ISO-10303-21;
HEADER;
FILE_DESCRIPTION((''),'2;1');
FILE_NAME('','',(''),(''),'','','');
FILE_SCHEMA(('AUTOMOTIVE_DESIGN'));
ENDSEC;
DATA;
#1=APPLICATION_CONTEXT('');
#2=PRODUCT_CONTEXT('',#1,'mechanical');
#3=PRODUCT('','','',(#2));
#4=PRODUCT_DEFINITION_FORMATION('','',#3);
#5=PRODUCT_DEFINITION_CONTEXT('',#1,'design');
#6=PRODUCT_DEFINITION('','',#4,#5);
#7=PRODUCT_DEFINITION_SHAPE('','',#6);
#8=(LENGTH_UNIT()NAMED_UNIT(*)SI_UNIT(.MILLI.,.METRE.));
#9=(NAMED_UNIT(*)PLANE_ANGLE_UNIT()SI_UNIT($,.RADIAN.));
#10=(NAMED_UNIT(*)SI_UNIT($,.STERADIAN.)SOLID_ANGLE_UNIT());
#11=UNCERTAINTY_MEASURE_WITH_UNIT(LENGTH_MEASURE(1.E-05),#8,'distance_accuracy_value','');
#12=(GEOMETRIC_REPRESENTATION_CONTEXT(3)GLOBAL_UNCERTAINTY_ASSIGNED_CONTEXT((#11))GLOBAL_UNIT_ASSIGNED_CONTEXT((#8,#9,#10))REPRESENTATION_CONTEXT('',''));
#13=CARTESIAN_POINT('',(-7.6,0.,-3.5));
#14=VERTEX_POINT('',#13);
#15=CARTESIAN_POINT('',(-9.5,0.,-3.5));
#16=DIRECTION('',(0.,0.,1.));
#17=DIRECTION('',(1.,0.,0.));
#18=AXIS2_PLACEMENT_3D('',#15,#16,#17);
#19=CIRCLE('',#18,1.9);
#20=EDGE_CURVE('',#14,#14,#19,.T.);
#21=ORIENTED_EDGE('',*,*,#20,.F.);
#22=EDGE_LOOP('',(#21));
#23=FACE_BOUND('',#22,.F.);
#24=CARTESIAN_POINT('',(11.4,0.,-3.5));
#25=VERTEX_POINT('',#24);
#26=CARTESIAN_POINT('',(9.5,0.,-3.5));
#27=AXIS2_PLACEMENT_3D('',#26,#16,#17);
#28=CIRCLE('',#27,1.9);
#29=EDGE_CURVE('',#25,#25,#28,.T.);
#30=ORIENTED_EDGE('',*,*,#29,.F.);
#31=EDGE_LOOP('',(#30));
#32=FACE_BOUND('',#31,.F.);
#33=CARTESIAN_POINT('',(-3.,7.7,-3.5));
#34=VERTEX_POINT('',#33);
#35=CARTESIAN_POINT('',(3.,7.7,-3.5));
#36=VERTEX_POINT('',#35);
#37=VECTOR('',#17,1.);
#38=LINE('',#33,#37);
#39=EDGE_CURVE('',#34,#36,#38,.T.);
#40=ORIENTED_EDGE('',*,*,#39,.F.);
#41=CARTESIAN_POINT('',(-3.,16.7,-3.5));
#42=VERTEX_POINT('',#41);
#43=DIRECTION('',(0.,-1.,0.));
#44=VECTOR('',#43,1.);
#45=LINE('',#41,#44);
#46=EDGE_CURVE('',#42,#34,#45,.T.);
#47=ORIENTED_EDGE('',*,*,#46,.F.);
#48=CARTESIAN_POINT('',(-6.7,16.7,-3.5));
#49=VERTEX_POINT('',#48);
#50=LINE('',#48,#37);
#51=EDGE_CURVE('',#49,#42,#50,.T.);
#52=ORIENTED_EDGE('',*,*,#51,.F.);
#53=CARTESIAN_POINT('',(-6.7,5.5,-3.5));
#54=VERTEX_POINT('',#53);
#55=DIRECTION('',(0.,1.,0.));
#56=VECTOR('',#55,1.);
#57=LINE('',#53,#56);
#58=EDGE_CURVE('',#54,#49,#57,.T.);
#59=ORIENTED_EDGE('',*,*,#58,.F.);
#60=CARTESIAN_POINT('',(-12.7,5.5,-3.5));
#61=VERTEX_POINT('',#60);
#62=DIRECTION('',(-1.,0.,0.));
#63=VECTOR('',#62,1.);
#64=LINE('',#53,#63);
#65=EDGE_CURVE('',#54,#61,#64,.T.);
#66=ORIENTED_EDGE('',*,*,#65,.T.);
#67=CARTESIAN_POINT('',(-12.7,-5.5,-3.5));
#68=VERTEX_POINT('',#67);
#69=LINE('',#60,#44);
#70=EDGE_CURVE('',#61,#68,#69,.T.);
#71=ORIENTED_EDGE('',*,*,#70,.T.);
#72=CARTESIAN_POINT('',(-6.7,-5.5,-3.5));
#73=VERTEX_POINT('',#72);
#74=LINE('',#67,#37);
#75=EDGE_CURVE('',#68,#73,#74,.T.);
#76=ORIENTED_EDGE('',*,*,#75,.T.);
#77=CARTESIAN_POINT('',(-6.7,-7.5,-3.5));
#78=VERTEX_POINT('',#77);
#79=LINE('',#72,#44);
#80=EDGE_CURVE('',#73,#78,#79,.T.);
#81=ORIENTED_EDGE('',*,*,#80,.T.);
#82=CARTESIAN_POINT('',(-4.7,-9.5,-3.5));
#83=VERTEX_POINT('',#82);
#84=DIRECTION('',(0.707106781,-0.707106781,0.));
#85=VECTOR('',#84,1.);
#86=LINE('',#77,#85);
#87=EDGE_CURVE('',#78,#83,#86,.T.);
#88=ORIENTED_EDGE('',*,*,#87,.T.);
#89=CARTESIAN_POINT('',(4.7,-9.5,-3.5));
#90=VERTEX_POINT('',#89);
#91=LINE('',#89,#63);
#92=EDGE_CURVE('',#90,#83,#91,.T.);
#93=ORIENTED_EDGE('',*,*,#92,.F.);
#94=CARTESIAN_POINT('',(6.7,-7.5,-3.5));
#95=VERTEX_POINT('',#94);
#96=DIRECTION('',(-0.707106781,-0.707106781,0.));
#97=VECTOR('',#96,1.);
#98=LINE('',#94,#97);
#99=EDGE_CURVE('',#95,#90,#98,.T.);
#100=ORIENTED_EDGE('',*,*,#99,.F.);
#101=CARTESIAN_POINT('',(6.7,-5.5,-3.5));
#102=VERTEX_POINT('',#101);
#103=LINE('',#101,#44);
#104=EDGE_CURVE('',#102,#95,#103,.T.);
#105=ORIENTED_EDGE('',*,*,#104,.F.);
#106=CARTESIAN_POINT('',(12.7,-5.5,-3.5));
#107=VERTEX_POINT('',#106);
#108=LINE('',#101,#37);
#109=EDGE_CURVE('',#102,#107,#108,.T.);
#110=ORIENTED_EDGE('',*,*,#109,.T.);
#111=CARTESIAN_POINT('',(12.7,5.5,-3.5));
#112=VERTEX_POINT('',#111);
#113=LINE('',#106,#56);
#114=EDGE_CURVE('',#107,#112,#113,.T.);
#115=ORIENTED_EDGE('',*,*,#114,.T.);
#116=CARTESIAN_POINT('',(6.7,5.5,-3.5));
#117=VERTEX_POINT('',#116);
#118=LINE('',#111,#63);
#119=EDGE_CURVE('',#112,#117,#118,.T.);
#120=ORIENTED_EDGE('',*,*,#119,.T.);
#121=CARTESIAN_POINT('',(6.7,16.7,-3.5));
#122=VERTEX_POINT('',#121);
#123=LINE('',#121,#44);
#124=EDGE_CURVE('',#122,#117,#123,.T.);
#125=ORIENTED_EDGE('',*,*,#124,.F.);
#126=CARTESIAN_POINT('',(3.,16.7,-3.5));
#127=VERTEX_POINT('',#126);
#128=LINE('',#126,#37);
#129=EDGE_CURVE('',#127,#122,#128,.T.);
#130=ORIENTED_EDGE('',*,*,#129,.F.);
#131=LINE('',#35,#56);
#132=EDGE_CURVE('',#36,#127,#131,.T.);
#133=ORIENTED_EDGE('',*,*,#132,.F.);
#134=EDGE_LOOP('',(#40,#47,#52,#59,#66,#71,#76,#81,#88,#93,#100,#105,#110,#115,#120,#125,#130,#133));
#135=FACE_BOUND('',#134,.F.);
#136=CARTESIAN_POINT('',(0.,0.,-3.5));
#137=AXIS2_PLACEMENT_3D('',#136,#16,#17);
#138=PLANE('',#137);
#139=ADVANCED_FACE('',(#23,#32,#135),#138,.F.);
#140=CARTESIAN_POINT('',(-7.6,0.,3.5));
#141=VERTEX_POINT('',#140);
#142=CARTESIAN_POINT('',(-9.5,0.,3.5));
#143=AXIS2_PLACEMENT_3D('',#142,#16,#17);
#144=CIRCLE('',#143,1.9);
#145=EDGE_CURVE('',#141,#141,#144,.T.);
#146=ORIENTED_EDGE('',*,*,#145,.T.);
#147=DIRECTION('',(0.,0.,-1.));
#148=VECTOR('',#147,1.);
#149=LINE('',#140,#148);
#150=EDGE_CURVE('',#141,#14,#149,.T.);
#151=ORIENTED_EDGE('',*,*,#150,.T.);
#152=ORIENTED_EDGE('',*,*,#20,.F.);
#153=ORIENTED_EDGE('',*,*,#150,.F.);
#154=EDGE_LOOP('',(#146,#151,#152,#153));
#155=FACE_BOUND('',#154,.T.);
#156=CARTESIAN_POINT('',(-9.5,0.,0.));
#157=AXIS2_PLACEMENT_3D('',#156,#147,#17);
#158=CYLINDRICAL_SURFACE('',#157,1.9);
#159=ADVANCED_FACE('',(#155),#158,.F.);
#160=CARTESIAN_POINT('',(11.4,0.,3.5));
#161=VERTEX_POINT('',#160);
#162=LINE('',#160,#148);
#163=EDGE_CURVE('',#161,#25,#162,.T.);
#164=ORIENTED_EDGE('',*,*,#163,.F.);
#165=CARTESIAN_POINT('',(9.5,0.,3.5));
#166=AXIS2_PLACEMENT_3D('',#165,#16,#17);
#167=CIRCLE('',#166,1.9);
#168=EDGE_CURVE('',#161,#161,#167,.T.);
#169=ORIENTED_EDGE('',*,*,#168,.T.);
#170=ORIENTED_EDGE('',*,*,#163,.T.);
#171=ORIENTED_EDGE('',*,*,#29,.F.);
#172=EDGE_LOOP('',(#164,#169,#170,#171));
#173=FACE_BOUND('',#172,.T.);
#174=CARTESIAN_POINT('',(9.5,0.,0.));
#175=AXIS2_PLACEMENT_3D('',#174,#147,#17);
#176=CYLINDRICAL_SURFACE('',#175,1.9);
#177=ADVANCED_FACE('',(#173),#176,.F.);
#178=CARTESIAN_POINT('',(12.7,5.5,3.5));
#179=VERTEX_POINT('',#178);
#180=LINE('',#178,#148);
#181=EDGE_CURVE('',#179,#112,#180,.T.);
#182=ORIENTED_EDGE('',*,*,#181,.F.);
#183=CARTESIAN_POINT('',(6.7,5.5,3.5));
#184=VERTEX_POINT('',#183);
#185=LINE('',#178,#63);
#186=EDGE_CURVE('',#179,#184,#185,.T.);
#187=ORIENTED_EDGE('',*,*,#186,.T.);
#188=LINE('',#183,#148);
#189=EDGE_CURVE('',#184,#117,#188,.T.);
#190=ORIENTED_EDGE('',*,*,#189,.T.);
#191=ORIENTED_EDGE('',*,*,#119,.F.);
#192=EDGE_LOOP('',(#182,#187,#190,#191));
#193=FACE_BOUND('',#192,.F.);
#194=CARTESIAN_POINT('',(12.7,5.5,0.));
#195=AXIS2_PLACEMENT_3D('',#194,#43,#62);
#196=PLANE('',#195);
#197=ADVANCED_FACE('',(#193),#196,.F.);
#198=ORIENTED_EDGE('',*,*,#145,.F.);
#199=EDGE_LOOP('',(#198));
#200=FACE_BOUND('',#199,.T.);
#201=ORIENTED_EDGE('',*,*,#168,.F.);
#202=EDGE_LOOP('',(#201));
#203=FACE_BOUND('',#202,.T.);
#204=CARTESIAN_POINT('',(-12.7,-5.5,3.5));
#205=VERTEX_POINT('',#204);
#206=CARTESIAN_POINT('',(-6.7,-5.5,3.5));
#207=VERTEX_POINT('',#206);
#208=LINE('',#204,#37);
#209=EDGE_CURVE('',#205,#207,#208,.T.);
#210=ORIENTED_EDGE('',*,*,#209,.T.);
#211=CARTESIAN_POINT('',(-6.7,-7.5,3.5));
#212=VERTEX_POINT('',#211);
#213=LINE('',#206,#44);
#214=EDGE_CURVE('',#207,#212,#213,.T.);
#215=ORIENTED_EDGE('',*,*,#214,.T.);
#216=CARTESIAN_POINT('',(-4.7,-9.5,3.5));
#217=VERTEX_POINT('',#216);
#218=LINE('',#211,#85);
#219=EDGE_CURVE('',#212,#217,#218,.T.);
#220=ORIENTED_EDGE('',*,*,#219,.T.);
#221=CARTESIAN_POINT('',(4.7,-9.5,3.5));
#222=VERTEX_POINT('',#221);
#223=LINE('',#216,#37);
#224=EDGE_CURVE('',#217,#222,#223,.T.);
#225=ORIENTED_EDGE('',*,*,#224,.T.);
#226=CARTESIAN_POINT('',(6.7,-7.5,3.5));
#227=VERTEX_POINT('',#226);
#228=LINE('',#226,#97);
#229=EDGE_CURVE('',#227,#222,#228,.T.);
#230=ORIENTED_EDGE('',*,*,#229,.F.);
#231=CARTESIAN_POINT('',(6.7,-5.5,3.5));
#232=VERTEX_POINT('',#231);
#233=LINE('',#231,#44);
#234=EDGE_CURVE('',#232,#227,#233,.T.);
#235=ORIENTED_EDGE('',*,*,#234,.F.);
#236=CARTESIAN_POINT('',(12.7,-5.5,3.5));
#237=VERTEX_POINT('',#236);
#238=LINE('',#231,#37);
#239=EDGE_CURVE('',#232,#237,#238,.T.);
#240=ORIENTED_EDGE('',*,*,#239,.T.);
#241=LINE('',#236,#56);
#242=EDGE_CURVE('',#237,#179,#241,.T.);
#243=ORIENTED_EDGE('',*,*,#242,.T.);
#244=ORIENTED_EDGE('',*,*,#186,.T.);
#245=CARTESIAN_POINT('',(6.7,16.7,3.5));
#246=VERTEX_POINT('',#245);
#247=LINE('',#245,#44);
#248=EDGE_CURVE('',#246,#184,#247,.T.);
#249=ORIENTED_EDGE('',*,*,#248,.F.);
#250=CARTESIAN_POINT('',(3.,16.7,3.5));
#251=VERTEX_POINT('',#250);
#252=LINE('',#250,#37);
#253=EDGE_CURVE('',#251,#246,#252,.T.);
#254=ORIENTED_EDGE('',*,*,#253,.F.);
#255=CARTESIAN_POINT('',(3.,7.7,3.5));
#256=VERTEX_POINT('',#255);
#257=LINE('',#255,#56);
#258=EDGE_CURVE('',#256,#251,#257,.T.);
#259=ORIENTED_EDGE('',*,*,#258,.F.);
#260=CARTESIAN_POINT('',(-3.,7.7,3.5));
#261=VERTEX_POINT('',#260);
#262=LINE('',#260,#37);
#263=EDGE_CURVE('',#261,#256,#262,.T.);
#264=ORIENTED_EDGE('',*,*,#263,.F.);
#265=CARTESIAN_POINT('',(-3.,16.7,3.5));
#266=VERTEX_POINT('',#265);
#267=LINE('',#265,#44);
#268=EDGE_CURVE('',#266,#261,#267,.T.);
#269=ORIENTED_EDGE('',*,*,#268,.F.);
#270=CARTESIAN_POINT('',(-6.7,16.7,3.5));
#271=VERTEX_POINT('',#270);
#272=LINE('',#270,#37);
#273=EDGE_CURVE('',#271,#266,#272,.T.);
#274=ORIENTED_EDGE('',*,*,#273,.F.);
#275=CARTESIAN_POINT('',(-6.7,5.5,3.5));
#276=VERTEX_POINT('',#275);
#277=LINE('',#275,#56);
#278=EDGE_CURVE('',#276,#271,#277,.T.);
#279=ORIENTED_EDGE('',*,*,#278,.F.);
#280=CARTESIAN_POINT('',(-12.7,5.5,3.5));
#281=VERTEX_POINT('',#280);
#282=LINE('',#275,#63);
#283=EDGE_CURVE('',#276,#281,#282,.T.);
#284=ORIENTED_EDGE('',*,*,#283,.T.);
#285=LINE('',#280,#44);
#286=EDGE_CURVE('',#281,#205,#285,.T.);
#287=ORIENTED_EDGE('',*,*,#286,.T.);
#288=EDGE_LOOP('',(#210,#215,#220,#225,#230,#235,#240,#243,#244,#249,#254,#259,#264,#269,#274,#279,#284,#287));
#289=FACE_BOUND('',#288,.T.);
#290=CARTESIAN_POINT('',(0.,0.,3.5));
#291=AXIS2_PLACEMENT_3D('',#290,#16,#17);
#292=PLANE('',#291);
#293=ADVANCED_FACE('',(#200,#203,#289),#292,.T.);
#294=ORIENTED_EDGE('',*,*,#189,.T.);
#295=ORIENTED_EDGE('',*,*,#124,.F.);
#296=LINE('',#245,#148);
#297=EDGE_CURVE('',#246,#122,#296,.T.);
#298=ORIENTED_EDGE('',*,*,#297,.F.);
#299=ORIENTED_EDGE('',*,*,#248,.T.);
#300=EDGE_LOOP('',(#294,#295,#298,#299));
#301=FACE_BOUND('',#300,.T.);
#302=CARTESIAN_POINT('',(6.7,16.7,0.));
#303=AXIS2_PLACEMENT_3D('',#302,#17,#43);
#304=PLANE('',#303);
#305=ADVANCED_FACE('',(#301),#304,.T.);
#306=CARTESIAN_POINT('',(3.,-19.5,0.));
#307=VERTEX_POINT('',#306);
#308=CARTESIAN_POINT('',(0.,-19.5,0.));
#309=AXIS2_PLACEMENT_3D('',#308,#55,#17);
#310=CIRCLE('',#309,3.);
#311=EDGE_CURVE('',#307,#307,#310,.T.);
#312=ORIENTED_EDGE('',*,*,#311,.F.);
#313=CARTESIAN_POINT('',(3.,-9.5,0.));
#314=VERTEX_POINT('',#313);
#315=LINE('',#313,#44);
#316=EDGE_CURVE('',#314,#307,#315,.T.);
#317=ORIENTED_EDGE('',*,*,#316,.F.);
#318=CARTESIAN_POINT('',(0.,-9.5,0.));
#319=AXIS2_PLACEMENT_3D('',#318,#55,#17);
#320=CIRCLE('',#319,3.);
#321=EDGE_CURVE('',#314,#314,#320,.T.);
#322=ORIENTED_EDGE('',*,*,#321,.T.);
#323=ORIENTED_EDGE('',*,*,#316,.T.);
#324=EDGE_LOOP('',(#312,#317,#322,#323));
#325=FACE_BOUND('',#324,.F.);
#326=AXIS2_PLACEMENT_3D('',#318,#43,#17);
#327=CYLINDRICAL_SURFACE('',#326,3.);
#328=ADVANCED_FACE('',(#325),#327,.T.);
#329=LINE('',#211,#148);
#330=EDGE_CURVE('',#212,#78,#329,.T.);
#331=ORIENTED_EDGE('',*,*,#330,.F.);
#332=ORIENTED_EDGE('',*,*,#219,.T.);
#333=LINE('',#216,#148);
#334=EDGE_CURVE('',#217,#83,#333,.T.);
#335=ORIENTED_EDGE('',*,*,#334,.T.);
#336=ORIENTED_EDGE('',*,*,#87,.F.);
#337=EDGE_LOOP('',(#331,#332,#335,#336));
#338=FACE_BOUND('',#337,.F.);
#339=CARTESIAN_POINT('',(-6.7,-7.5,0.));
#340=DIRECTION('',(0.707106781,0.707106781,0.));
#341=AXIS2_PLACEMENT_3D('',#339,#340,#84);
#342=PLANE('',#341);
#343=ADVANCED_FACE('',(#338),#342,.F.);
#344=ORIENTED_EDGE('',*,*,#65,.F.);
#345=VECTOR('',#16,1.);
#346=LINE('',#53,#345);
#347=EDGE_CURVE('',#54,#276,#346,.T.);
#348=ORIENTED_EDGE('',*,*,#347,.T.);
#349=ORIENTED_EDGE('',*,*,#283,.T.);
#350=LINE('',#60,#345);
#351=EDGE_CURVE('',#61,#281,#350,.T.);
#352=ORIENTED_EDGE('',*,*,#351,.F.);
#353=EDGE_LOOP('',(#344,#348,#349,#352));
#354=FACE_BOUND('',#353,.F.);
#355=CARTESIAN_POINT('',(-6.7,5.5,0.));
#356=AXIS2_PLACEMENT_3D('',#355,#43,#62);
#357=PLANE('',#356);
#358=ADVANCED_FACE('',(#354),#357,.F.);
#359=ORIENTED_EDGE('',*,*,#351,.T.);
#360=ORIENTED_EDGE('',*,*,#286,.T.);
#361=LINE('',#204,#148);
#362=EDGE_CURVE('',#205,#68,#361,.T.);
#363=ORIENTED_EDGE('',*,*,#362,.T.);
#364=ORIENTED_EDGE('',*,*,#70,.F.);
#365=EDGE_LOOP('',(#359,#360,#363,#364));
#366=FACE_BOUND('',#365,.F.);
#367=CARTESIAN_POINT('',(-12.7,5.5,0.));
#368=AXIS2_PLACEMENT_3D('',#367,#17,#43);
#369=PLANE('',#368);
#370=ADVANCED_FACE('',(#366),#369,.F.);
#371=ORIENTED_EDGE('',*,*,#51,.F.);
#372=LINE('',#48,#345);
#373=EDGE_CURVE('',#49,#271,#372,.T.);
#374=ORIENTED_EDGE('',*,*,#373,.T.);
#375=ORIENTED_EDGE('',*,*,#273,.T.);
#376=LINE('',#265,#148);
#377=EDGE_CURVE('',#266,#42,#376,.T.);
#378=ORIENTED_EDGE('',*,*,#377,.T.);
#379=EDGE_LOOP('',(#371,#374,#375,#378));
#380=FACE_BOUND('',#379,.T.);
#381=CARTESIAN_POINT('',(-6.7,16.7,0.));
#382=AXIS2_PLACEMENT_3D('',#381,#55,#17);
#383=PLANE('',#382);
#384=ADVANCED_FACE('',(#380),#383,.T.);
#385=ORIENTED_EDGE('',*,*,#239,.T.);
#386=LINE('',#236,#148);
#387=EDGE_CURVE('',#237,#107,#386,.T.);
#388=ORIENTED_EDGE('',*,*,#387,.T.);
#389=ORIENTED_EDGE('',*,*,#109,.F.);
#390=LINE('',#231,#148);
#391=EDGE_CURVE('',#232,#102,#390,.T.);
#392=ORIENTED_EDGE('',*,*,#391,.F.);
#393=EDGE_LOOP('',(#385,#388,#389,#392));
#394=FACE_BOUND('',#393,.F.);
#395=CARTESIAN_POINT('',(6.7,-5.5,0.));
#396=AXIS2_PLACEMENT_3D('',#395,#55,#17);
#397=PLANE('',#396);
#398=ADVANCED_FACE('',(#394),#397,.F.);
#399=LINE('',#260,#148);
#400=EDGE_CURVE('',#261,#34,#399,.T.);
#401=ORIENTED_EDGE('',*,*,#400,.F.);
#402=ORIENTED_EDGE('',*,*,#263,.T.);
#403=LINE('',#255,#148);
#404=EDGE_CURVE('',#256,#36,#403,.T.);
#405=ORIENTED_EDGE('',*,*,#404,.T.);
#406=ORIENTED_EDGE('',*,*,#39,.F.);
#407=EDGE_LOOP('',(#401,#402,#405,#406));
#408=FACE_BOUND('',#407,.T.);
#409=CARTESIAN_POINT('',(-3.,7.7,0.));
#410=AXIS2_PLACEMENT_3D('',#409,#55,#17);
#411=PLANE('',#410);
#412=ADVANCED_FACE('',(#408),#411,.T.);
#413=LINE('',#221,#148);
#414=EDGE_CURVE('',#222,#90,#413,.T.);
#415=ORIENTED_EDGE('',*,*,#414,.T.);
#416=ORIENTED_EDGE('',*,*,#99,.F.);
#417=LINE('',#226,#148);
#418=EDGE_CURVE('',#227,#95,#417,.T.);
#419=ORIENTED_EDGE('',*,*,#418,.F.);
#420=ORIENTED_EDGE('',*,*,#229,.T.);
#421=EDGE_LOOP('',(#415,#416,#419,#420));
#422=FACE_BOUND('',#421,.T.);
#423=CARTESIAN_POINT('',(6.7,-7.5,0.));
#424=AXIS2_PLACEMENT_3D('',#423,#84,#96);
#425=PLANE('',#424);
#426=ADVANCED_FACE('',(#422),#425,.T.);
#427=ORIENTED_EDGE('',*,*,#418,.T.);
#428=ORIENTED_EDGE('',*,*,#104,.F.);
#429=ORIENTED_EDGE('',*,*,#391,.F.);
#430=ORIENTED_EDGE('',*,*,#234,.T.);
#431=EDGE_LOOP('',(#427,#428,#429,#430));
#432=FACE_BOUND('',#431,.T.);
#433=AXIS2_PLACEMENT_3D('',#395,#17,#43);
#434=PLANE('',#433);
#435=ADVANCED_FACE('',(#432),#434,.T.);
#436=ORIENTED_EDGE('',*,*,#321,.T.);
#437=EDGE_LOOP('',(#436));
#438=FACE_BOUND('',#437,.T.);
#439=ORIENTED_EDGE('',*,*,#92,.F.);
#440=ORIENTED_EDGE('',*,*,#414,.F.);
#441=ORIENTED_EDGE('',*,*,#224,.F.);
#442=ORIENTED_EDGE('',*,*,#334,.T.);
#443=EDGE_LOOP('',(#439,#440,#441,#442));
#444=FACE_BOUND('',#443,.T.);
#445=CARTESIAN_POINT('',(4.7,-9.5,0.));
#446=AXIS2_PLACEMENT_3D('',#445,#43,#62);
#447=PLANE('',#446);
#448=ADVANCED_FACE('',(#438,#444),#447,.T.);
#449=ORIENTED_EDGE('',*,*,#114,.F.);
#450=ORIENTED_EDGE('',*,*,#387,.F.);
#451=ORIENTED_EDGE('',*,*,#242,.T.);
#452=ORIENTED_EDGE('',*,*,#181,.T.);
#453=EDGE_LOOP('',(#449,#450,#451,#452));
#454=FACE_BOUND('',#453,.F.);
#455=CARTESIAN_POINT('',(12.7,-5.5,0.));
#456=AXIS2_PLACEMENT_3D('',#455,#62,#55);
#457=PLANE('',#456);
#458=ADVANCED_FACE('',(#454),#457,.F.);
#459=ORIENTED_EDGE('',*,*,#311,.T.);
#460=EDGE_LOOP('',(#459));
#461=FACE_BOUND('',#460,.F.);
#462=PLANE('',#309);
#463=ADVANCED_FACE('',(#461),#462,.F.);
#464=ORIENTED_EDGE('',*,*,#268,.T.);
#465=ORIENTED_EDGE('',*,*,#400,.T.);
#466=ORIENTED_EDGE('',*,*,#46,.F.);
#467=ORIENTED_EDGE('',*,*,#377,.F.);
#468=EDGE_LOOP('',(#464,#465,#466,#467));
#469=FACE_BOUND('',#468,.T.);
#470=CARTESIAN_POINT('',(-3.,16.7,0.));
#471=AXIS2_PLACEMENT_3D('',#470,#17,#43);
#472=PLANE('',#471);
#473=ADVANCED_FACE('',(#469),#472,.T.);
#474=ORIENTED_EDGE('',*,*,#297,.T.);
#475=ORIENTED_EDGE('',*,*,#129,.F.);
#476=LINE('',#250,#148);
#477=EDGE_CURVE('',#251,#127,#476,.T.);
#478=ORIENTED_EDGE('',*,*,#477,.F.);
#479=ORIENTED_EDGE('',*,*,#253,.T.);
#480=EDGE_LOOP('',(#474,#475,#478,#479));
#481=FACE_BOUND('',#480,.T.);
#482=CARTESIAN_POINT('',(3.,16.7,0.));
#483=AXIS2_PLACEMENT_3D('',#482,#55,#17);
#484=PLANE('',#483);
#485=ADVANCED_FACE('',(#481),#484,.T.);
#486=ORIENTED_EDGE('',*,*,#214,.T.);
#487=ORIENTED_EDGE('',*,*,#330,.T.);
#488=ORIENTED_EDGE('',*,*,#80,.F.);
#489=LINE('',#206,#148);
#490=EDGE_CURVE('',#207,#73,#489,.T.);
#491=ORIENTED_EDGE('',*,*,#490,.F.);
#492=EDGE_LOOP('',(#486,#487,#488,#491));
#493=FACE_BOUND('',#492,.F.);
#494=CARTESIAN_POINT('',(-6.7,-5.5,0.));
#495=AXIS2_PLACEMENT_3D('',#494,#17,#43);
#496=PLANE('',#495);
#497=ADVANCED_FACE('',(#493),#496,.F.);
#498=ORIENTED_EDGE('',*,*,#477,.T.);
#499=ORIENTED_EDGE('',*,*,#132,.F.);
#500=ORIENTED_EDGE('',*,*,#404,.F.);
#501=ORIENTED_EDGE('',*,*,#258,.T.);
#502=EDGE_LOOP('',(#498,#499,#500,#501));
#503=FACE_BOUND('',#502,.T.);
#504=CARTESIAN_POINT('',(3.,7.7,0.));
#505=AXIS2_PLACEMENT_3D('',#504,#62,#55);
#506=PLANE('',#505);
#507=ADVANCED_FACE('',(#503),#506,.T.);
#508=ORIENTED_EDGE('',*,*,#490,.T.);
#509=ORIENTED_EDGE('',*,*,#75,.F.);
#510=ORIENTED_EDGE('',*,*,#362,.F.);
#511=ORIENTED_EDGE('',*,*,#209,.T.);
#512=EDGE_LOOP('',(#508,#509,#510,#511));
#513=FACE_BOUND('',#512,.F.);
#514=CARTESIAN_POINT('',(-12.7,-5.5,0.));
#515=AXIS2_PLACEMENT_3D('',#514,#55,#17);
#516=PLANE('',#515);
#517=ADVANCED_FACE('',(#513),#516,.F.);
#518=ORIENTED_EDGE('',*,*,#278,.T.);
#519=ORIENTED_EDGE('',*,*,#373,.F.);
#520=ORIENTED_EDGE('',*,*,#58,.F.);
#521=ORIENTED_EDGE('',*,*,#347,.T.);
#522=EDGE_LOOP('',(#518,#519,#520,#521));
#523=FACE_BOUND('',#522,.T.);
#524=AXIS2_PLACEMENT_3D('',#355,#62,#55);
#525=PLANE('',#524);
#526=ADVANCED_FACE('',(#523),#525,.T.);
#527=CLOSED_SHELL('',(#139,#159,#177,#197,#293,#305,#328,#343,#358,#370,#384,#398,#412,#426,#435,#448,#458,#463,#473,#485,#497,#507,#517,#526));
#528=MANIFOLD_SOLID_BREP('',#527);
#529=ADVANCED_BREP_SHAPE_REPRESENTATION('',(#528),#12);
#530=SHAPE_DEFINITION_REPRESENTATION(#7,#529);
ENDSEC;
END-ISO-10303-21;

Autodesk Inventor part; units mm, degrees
ref_plane "YZ Plane" through (0, 0, 0) normal (1, 0, 0) x (0, 1, 0)
ref_plane "XZ Plane" through (0, 0, 0) normal (0, 1, 0) x (-1, 0, 0)
ref_plane "XY Plane" through (0, 0, 0) normal (0, 0, 1) x (1, 0, 0)
sketch "草圖1" plane through (0, 0, 0) normal (0, 0, 1) x (1, 0, 0)
  line L0 (-6.7, 16.7) -> (-3, 16.7)
  line L1 (-3, 16.7) -> (-3, 7.7)
  line L2 (-3, 7.7) -> (3, 7.7)
  line L3 (3, 7.7) -> (3, 16.7)
  line L4 (3, 16.7) -> (6.7, 16.7)
  line L5 (6.7, 16.7) -> (6.7, 5.5)
  line L6 (-6.7, 5.5) -> (-6.7, 16.7)
  line L7 (12.7, -5.5) -> (12.7, 5.5)
  line L8 (-12.7, 5.5) -> (-12.7, -5.5)
  line L9 (12.7, 5.5) -> (6.7, 5.5)
  line L10 (-6.7, 5.5) -> (-12.7, 5.5)
  line L11 (-6.7, -5.5) -> (-6.7, -7.5)
  line L12 (-6.7, -7.5) -> (-4.7, -9.5)
  line L13 (-4.7, -9.5) -> (-1.5, -9.5)
  line L14 (6.7, -5.5) -> (6.7, -7.5)
  line L15 (6.7, -7.5) -> (4.7, -9.5)
  line L16 (4.7, -9.5) -> (1.5, -9.5)
  line L17 (-12.7, -5.5) -> (-6.7, -5.5)
  line L18 (6.7, -5.5) -> (12.7, -5.5)
  circle A0 centre (-9.5, 0) radius 1.9
  circle A1 centre (9.5, 0) radius 1.9
  line L19 (-9.5, 0) -> (9.5, 0) construction
  line L20 (-1.5, -9.5) -> (1.5, -9.5)
  point P0 (0, 0)
  point P1 (0, 7.7)
  point P2 (0, 0)
  point P3 (0, -9.5)
  dimension "d0" = 6
  dimension "d1" = 13.4
  dimension "d2" = 19
  dimension "d3" = 3.8
  dimension "d4" = 11
  dimension "d5" = 9
  dimension "d7" = 11.2
  dimension "d8" = 25.4
  dimension "d9" = 5.5
  dimension "d10" = 26.2
  dimension "d11" = 135
  dimension "d13" = 2
extrude "擠出1" add sketch "草圖1" along normal mid plane 7
sketch "草圖2" plane through (0, 0, 0) normal (0, 0, 1) x (1, 0, 0)
  line L0 (0, -9.5) -> (3, -9.5)
  line L1 (3, -9.5) -> (3, -19.5)
  line L2 (3, -19.5) -> (0, -19.5)
  line L3 (0, -19.5) -> (0, -9.5)
  line L4 (-4.7, -9.5) -> (4.7, -9.5) construction
  point P0 (0, 0)
  dimension "d17" = 3
  dimension "d18" = 10
revolve "迴轉1" add sketch "草圖2" angle 360 about axis through (0, -19.5, 0) along (0, 1, 0)
properties part number "RX670-NW" material "SS41"
